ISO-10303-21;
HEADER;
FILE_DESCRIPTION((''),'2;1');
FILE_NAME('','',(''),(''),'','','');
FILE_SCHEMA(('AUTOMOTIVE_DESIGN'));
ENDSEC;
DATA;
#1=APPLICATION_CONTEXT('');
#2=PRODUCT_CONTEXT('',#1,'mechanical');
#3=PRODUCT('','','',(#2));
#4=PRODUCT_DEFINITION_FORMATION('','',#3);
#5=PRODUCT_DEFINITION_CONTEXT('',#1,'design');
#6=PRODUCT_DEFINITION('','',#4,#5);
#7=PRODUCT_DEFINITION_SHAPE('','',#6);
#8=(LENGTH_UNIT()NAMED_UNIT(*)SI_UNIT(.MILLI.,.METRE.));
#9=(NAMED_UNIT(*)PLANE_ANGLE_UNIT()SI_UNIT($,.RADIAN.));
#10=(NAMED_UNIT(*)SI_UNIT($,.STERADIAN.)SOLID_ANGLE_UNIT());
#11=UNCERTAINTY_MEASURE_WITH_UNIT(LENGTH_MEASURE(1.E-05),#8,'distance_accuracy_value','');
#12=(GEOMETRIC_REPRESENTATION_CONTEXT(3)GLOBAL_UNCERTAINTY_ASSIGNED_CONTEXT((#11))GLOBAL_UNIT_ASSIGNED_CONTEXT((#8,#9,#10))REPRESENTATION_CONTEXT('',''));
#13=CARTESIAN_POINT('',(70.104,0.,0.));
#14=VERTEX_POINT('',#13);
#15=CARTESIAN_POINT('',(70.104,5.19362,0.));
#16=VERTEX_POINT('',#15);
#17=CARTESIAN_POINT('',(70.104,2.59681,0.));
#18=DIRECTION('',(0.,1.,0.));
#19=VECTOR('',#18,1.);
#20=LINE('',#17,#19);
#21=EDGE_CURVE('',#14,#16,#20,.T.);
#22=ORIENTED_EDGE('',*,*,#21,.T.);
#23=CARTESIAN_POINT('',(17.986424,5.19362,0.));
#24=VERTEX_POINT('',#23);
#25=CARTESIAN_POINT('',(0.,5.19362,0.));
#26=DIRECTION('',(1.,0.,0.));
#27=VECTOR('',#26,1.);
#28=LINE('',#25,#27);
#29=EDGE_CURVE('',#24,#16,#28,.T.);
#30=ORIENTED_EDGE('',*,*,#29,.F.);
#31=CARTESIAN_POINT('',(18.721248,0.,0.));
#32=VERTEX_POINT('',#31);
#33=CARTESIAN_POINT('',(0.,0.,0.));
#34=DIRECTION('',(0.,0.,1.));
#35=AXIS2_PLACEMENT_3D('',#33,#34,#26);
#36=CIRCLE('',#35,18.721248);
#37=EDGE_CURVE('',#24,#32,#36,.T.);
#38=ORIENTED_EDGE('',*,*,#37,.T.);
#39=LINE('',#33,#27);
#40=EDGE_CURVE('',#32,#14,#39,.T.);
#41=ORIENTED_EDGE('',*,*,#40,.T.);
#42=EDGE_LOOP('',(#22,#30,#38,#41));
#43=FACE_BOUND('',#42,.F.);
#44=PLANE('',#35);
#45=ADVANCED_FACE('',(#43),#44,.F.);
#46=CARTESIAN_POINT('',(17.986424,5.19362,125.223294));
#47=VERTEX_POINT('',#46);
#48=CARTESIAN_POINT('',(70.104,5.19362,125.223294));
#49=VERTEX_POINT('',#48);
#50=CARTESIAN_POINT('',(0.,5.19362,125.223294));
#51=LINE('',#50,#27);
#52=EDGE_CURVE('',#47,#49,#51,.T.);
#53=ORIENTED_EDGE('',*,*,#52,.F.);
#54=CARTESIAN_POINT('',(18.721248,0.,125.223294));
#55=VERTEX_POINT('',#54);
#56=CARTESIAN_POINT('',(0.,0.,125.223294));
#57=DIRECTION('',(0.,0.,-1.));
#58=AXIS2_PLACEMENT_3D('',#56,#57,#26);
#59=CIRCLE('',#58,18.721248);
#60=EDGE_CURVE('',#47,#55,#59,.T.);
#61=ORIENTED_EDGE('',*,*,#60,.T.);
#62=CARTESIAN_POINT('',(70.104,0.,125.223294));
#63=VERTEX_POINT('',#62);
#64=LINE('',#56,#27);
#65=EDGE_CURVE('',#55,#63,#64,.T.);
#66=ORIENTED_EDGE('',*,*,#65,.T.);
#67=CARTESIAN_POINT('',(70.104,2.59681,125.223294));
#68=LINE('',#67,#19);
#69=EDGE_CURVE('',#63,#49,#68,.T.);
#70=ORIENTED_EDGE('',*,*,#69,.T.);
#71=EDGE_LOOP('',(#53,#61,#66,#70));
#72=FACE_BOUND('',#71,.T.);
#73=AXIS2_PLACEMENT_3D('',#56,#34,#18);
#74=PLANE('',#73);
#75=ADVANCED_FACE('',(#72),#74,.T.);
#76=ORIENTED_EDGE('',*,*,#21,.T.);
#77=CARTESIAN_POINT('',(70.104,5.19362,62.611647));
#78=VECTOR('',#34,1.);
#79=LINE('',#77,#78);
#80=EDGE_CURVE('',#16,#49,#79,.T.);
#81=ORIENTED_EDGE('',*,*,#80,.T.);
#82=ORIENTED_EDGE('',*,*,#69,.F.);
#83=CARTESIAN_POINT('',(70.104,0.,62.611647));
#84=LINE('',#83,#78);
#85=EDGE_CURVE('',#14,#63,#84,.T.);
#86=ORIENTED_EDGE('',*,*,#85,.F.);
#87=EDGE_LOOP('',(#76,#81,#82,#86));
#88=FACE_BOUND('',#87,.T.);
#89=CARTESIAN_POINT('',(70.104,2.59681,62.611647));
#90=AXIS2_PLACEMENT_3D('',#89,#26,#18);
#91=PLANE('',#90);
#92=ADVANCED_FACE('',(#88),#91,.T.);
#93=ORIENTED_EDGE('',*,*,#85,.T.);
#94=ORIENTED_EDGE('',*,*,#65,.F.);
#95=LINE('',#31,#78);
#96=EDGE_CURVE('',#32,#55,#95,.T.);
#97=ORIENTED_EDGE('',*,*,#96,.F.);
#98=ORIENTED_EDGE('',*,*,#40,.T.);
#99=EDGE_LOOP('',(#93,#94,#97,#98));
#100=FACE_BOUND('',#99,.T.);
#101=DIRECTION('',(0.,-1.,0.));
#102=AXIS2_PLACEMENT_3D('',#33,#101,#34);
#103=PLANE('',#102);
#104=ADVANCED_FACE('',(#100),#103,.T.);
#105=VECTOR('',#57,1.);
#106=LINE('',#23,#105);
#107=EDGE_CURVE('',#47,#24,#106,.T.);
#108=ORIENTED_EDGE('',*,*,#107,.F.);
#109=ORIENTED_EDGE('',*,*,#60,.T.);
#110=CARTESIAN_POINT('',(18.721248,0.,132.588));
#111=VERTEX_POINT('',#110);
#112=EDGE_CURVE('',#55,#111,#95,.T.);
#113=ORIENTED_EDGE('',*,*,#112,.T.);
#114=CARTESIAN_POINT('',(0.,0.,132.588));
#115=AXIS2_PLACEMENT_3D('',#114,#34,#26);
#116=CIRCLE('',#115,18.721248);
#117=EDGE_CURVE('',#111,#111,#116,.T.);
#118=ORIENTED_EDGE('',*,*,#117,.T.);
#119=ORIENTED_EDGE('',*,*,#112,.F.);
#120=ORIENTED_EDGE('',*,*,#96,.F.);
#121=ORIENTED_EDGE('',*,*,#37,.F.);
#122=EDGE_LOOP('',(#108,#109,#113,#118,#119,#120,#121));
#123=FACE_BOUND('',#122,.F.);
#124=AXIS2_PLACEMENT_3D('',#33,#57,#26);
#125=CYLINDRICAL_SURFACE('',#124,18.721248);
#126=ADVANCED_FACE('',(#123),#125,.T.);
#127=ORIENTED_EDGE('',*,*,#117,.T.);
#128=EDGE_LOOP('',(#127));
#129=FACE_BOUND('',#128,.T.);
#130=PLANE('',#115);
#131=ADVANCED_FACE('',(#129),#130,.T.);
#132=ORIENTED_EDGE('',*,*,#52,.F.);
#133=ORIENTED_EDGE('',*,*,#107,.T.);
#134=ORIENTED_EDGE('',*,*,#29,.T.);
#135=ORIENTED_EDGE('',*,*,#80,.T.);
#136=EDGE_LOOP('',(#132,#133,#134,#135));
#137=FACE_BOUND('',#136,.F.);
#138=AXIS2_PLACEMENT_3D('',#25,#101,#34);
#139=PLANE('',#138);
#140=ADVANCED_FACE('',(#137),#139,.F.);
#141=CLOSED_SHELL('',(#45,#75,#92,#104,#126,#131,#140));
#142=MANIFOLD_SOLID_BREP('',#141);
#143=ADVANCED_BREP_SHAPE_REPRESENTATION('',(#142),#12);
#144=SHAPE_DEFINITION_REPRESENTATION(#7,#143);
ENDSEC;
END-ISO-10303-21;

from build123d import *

# Parameters (mm, degrees)
F0_R     = 18.721248
F1_DEPTH = 132.588
F2_W     = 5.19362
F2_H     = 125.223294
F3_DEPTH = 70.104


with BuildPart() as f1:
    # F0 (on Top) → F1 (new body)
    with BuildSketch(Plane.XY):
        Circle(F0_R)
    extrude(amount=F1_DEPTH)

    # F2 (on Right) → F3 (join)
    with BuildSketch(Plane.YZ):
        with Locations((2.59681, 62.611647)):
            Rectangle(F2_W, F2_H)
    extrude(amount=F3_DEPTH)


solid = f1.part
